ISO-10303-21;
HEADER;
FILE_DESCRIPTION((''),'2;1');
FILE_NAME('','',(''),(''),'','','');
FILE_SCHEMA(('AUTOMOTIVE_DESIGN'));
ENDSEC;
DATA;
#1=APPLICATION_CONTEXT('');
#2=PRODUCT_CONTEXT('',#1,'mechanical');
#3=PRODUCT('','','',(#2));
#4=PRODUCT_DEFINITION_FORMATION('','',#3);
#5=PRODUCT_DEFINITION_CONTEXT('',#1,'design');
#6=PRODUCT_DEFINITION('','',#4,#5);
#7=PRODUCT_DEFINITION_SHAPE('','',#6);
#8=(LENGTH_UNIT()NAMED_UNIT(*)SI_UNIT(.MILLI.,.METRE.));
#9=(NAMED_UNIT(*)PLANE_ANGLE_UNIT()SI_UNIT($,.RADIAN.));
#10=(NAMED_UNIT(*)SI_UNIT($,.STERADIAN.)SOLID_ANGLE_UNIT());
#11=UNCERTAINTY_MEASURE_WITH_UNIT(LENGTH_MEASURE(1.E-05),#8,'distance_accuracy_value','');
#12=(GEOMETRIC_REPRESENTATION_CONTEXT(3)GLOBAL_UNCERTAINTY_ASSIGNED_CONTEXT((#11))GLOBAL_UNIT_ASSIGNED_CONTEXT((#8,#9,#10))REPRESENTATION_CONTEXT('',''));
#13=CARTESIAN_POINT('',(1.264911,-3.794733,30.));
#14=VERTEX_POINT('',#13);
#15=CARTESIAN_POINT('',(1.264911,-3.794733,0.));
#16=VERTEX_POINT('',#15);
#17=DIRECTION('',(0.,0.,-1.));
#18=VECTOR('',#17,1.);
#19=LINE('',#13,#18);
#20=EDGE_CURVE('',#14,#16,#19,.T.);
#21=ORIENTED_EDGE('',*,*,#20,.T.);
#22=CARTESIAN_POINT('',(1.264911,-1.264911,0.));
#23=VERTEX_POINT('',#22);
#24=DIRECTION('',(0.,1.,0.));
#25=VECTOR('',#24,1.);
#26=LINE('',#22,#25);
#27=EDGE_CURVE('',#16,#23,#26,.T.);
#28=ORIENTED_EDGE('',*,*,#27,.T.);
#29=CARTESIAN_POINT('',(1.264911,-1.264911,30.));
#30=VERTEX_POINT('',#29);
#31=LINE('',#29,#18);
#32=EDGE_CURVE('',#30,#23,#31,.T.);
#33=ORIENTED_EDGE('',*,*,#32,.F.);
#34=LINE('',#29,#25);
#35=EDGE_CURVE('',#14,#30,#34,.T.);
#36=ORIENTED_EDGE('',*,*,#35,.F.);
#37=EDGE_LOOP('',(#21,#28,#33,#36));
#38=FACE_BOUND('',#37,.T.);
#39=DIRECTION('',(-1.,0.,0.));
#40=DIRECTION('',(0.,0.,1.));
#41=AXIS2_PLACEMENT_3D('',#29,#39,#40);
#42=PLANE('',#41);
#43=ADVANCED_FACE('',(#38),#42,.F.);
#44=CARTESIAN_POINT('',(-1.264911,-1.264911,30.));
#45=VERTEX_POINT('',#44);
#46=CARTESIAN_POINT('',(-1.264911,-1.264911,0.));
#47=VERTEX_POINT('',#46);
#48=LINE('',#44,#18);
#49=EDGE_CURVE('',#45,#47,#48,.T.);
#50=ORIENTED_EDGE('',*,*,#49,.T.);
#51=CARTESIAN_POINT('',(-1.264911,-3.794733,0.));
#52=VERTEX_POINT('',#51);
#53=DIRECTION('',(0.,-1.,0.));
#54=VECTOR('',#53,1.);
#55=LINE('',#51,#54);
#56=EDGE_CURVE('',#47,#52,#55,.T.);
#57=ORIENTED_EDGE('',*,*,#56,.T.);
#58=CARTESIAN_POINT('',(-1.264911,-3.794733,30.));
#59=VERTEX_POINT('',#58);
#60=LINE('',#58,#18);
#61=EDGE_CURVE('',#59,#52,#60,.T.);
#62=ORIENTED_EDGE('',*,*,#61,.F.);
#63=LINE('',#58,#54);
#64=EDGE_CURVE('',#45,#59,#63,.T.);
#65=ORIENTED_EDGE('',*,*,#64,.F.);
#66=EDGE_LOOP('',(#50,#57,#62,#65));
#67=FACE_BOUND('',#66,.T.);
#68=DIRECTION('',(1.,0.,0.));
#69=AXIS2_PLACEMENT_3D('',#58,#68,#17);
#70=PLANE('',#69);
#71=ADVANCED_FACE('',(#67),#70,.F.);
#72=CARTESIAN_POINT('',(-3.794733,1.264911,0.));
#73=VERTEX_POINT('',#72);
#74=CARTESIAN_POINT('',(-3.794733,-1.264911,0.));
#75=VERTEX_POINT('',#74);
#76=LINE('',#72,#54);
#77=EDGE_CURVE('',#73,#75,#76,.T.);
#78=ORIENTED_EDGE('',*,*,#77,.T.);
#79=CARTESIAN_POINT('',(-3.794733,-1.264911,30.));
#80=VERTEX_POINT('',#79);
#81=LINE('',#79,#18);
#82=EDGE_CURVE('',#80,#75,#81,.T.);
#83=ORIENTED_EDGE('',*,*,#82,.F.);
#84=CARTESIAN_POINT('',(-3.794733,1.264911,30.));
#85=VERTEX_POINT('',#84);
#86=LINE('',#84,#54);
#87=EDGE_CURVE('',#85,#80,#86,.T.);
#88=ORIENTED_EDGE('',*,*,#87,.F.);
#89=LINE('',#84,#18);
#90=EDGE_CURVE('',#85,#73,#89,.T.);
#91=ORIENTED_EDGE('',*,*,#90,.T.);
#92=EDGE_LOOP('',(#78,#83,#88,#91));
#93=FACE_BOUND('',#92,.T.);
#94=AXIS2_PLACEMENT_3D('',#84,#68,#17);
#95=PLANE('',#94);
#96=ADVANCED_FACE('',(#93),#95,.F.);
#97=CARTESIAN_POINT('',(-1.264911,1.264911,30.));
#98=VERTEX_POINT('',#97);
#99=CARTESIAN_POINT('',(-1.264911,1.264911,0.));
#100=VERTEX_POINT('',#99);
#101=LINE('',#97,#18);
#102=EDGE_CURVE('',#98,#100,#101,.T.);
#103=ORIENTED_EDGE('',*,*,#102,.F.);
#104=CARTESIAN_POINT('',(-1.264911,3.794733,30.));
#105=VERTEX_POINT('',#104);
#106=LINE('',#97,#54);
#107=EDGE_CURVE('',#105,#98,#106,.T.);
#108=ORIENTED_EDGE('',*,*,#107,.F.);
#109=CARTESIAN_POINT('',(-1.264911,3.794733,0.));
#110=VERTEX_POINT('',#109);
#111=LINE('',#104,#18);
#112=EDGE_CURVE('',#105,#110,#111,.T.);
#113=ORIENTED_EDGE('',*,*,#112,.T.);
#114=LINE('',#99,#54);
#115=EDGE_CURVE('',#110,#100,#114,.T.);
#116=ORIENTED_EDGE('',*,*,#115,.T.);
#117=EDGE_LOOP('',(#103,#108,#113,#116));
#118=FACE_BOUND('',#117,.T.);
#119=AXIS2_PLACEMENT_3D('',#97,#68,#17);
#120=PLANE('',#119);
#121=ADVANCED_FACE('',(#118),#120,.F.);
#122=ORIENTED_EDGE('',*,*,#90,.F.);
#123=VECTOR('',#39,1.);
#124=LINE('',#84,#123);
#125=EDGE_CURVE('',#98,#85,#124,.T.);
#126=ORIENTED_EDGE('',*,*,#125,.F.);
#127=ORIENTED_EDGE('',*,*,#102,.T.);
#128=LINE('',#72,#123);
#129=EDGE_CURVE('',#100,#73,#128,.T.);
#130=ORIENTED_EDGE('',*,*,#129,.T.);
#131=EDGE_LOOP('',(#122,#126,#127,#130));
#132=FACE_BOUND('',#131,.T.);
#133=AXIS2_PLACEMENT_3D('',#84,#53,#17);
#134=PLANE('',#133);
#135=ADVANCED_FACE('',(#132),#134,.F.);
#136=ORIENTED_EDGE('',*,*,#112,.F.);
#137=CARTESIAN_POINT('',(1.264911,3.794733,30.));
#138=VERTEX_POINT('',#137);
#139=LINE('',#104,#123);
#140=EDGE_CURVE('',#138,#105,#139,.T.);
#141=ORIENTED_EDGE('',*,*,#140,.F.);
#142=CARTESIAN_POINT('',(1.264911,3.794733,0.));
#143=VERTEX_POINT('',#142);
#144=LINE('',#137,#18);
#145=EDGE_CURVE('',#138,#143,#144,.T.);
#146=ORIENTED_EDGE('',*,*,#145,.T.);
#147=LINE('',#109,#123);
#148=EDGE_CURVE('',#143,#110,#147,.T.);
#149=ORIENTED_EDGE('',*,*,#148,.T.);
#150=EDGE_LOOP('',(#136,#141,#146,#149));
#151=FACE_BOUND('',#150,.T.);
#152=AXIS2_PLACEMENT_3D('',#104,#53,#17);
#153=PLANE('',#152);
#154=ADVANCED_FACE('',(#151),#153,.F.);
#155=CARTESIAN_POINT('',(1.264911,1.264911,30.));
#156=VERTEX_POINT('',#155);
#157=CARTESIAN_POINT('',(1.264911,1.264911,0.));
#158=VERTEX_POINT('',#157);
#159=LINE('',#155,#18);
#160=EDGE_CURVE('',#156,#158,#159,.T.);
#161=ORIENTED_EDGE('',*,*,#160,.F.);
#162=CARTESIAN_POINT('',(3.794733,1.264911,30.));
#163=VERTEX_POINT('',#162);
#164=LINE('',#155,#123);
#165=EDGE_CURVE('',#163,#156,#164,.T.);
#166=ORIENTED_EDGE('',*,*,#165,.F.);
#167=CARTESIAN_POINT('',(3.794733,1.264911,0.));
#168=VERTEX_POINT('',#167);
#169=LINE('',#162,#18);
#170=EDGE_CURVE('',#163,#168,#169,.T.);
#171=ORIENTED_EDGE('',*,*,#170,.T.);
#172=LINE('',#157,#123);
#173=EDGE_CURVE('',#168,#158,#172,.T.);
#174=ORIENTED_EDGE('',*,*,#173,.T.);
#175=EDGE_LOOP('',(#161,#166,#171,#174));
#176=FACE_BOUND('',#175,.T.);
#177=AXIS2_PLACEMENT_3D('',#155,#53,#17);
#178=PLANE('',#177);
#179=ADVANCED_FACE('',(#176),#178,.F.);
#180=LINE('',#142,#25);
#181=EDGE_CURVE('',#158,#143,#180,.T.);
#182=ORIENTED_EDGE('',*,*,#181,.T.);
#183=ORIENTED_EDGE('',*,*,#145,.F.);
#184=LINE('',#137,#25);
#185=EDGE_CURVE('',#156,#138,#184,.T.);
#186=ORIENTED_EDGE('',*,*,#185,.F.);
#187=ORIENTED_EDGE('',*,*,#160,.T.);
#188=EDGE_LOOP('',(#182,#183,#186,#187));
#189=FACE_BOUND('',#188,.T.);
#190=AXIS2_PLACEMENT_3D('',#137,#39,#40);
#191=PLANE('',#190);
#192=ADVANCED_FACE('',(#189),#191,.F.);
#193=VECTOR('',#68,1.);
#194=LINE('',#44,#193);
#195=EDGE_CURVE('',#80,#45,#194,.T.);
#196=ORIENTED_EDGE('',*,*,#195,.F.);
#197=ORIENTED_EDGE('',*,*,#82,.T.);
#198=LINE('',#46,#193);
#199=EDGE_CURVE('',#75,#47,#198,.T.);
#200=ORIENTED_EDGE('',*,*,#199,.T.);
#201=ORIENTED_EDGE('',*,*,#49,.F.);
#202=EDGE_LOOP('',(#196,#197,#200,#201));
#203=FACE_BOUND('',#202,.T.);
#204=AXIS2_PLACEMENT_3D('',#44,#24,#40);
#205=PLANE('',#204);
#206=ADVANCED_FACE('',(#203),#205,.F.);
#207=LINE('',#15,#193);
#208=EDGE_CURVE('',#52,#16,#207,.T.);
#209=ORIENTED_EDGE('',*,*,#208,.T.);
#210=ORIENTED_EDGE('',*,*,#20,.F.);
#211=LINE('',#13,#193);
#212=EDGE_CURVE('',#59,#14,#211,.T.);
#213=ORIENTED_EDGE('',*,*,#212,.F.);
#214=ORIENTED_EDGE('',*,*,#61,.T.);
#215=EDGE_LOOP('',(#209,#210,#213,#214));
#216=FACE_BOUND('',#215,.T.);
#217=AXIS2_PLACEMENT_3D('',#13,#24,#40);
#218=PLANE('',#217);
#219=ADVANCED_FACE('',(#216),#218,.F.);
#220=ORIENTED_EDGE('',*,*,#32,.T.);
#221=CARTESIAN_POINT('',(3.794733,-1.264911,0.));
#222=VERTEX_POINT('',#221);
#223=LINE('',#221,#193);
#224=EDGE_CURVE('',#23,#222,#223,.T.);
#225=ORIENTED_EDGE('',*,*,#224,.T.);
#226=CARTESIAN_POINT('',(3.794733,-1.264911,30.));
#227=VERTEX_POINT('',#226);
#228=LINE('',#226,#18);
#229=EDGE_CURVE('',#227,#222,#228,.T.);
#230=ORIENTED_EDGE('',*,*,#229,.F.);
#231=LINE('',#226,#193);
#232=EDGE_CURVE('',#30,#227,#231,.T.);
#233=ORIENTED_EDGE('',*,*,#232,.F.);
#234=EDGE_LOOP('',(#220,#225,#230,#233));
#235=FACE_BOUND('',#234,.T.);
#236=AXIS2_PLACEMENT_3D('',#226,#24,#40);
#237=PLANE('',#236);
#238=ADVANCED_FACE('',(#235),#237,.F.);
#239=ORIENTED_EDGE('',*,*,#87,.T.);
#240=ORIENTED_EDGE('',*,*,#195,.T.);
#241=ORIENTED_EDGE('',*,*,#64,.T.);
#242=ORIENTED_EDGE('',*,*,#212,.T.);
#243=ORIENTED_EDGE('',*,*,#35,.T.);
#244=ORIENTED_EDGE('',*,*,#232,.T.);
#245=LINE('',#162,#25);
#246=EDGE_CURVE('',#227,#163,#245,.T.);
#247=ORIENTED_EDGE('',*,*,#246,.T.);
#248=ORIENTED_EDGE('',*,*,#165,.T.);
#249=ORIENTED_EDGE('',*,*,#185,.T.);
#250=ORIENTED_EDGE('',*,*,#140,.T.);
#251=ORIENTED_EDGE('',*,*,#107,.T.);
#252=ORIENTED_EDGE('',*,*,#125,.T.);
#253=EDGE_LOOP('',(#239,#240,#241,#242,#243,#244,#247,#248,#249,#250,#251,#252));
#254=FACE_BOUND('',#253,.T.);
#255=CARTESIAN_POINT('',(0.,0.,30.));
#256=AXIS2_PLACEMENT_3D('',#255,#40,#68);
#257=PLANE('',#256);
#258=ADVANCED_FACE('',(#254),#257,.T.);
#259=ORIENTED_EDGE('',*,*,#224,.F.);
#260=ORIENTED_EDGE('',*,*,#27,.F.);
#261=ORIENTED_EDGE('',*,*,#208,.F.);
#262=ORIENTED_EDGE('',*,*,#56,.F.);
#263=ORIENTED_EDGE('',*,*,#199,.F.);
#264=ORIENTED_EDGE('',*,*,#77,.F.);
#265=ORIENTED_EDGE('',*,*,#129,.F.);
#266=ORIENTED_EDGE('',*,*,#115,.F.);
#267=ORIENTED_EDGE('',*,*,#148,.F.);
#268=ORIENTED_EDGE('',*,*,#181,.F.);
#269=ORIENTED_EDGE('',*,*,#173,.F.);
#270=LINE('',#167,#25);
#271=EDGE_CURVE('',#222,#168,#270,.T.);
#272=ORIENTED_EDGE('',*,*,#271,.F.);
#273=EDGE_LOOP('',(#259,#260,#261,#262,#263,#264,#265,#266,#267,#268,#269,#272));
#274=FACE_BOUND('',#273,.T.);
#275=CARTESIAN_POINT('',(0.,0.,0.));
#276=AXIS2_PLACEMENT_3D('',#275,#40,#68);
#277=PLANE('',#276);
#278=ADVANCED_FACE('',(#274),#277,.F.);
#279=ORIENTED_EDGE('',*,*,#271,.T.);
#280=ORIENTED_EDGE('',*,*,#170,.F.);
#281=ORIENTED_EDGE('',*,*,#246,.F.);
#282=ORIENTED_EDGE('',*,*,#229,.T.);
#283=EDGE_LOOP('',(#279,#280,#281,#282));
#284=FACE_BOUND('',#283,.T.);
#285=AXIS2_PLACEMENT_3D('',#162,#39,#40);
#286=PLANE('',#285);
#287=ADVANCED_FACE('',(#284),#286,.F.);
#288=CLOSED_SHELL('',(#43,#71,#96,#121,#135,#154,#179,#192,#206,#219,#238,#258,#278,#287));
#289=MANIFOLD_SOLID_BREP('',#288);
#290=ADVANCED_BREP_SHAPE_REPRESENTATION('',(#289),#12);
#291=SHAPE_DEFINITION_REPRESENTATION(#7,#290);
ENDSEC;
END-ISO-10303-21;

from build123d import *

# Parameters (mm, degrees)
BOSS_EXTRUDE1_DEPTH = 30


with BuildPart() as part:
    # Sketch1 → Boss-Extrude1 (new body)
    with BuildSketch(Plane.XY):
        Polygon((-3.794733192, 1.264911064), (-3.794733192, -1.264911064), (-1.264911064, -1.264911064), (-1.264911064, -3.794733192), (1.264911064, -3.794733192), (1.264911064, -1.264911064), (3.794733192, -1.264911064), (3.794733192, 1.264911064), (1.264911064, 1.264911064), (1.264911064, 3.794733192), (-1.264911064, 3.794733192), (-1.264911064, 1.264911064), align=None)
    extrude(amount=BOSS_EXTRUDE1_DEPTH)


solid = part.part
